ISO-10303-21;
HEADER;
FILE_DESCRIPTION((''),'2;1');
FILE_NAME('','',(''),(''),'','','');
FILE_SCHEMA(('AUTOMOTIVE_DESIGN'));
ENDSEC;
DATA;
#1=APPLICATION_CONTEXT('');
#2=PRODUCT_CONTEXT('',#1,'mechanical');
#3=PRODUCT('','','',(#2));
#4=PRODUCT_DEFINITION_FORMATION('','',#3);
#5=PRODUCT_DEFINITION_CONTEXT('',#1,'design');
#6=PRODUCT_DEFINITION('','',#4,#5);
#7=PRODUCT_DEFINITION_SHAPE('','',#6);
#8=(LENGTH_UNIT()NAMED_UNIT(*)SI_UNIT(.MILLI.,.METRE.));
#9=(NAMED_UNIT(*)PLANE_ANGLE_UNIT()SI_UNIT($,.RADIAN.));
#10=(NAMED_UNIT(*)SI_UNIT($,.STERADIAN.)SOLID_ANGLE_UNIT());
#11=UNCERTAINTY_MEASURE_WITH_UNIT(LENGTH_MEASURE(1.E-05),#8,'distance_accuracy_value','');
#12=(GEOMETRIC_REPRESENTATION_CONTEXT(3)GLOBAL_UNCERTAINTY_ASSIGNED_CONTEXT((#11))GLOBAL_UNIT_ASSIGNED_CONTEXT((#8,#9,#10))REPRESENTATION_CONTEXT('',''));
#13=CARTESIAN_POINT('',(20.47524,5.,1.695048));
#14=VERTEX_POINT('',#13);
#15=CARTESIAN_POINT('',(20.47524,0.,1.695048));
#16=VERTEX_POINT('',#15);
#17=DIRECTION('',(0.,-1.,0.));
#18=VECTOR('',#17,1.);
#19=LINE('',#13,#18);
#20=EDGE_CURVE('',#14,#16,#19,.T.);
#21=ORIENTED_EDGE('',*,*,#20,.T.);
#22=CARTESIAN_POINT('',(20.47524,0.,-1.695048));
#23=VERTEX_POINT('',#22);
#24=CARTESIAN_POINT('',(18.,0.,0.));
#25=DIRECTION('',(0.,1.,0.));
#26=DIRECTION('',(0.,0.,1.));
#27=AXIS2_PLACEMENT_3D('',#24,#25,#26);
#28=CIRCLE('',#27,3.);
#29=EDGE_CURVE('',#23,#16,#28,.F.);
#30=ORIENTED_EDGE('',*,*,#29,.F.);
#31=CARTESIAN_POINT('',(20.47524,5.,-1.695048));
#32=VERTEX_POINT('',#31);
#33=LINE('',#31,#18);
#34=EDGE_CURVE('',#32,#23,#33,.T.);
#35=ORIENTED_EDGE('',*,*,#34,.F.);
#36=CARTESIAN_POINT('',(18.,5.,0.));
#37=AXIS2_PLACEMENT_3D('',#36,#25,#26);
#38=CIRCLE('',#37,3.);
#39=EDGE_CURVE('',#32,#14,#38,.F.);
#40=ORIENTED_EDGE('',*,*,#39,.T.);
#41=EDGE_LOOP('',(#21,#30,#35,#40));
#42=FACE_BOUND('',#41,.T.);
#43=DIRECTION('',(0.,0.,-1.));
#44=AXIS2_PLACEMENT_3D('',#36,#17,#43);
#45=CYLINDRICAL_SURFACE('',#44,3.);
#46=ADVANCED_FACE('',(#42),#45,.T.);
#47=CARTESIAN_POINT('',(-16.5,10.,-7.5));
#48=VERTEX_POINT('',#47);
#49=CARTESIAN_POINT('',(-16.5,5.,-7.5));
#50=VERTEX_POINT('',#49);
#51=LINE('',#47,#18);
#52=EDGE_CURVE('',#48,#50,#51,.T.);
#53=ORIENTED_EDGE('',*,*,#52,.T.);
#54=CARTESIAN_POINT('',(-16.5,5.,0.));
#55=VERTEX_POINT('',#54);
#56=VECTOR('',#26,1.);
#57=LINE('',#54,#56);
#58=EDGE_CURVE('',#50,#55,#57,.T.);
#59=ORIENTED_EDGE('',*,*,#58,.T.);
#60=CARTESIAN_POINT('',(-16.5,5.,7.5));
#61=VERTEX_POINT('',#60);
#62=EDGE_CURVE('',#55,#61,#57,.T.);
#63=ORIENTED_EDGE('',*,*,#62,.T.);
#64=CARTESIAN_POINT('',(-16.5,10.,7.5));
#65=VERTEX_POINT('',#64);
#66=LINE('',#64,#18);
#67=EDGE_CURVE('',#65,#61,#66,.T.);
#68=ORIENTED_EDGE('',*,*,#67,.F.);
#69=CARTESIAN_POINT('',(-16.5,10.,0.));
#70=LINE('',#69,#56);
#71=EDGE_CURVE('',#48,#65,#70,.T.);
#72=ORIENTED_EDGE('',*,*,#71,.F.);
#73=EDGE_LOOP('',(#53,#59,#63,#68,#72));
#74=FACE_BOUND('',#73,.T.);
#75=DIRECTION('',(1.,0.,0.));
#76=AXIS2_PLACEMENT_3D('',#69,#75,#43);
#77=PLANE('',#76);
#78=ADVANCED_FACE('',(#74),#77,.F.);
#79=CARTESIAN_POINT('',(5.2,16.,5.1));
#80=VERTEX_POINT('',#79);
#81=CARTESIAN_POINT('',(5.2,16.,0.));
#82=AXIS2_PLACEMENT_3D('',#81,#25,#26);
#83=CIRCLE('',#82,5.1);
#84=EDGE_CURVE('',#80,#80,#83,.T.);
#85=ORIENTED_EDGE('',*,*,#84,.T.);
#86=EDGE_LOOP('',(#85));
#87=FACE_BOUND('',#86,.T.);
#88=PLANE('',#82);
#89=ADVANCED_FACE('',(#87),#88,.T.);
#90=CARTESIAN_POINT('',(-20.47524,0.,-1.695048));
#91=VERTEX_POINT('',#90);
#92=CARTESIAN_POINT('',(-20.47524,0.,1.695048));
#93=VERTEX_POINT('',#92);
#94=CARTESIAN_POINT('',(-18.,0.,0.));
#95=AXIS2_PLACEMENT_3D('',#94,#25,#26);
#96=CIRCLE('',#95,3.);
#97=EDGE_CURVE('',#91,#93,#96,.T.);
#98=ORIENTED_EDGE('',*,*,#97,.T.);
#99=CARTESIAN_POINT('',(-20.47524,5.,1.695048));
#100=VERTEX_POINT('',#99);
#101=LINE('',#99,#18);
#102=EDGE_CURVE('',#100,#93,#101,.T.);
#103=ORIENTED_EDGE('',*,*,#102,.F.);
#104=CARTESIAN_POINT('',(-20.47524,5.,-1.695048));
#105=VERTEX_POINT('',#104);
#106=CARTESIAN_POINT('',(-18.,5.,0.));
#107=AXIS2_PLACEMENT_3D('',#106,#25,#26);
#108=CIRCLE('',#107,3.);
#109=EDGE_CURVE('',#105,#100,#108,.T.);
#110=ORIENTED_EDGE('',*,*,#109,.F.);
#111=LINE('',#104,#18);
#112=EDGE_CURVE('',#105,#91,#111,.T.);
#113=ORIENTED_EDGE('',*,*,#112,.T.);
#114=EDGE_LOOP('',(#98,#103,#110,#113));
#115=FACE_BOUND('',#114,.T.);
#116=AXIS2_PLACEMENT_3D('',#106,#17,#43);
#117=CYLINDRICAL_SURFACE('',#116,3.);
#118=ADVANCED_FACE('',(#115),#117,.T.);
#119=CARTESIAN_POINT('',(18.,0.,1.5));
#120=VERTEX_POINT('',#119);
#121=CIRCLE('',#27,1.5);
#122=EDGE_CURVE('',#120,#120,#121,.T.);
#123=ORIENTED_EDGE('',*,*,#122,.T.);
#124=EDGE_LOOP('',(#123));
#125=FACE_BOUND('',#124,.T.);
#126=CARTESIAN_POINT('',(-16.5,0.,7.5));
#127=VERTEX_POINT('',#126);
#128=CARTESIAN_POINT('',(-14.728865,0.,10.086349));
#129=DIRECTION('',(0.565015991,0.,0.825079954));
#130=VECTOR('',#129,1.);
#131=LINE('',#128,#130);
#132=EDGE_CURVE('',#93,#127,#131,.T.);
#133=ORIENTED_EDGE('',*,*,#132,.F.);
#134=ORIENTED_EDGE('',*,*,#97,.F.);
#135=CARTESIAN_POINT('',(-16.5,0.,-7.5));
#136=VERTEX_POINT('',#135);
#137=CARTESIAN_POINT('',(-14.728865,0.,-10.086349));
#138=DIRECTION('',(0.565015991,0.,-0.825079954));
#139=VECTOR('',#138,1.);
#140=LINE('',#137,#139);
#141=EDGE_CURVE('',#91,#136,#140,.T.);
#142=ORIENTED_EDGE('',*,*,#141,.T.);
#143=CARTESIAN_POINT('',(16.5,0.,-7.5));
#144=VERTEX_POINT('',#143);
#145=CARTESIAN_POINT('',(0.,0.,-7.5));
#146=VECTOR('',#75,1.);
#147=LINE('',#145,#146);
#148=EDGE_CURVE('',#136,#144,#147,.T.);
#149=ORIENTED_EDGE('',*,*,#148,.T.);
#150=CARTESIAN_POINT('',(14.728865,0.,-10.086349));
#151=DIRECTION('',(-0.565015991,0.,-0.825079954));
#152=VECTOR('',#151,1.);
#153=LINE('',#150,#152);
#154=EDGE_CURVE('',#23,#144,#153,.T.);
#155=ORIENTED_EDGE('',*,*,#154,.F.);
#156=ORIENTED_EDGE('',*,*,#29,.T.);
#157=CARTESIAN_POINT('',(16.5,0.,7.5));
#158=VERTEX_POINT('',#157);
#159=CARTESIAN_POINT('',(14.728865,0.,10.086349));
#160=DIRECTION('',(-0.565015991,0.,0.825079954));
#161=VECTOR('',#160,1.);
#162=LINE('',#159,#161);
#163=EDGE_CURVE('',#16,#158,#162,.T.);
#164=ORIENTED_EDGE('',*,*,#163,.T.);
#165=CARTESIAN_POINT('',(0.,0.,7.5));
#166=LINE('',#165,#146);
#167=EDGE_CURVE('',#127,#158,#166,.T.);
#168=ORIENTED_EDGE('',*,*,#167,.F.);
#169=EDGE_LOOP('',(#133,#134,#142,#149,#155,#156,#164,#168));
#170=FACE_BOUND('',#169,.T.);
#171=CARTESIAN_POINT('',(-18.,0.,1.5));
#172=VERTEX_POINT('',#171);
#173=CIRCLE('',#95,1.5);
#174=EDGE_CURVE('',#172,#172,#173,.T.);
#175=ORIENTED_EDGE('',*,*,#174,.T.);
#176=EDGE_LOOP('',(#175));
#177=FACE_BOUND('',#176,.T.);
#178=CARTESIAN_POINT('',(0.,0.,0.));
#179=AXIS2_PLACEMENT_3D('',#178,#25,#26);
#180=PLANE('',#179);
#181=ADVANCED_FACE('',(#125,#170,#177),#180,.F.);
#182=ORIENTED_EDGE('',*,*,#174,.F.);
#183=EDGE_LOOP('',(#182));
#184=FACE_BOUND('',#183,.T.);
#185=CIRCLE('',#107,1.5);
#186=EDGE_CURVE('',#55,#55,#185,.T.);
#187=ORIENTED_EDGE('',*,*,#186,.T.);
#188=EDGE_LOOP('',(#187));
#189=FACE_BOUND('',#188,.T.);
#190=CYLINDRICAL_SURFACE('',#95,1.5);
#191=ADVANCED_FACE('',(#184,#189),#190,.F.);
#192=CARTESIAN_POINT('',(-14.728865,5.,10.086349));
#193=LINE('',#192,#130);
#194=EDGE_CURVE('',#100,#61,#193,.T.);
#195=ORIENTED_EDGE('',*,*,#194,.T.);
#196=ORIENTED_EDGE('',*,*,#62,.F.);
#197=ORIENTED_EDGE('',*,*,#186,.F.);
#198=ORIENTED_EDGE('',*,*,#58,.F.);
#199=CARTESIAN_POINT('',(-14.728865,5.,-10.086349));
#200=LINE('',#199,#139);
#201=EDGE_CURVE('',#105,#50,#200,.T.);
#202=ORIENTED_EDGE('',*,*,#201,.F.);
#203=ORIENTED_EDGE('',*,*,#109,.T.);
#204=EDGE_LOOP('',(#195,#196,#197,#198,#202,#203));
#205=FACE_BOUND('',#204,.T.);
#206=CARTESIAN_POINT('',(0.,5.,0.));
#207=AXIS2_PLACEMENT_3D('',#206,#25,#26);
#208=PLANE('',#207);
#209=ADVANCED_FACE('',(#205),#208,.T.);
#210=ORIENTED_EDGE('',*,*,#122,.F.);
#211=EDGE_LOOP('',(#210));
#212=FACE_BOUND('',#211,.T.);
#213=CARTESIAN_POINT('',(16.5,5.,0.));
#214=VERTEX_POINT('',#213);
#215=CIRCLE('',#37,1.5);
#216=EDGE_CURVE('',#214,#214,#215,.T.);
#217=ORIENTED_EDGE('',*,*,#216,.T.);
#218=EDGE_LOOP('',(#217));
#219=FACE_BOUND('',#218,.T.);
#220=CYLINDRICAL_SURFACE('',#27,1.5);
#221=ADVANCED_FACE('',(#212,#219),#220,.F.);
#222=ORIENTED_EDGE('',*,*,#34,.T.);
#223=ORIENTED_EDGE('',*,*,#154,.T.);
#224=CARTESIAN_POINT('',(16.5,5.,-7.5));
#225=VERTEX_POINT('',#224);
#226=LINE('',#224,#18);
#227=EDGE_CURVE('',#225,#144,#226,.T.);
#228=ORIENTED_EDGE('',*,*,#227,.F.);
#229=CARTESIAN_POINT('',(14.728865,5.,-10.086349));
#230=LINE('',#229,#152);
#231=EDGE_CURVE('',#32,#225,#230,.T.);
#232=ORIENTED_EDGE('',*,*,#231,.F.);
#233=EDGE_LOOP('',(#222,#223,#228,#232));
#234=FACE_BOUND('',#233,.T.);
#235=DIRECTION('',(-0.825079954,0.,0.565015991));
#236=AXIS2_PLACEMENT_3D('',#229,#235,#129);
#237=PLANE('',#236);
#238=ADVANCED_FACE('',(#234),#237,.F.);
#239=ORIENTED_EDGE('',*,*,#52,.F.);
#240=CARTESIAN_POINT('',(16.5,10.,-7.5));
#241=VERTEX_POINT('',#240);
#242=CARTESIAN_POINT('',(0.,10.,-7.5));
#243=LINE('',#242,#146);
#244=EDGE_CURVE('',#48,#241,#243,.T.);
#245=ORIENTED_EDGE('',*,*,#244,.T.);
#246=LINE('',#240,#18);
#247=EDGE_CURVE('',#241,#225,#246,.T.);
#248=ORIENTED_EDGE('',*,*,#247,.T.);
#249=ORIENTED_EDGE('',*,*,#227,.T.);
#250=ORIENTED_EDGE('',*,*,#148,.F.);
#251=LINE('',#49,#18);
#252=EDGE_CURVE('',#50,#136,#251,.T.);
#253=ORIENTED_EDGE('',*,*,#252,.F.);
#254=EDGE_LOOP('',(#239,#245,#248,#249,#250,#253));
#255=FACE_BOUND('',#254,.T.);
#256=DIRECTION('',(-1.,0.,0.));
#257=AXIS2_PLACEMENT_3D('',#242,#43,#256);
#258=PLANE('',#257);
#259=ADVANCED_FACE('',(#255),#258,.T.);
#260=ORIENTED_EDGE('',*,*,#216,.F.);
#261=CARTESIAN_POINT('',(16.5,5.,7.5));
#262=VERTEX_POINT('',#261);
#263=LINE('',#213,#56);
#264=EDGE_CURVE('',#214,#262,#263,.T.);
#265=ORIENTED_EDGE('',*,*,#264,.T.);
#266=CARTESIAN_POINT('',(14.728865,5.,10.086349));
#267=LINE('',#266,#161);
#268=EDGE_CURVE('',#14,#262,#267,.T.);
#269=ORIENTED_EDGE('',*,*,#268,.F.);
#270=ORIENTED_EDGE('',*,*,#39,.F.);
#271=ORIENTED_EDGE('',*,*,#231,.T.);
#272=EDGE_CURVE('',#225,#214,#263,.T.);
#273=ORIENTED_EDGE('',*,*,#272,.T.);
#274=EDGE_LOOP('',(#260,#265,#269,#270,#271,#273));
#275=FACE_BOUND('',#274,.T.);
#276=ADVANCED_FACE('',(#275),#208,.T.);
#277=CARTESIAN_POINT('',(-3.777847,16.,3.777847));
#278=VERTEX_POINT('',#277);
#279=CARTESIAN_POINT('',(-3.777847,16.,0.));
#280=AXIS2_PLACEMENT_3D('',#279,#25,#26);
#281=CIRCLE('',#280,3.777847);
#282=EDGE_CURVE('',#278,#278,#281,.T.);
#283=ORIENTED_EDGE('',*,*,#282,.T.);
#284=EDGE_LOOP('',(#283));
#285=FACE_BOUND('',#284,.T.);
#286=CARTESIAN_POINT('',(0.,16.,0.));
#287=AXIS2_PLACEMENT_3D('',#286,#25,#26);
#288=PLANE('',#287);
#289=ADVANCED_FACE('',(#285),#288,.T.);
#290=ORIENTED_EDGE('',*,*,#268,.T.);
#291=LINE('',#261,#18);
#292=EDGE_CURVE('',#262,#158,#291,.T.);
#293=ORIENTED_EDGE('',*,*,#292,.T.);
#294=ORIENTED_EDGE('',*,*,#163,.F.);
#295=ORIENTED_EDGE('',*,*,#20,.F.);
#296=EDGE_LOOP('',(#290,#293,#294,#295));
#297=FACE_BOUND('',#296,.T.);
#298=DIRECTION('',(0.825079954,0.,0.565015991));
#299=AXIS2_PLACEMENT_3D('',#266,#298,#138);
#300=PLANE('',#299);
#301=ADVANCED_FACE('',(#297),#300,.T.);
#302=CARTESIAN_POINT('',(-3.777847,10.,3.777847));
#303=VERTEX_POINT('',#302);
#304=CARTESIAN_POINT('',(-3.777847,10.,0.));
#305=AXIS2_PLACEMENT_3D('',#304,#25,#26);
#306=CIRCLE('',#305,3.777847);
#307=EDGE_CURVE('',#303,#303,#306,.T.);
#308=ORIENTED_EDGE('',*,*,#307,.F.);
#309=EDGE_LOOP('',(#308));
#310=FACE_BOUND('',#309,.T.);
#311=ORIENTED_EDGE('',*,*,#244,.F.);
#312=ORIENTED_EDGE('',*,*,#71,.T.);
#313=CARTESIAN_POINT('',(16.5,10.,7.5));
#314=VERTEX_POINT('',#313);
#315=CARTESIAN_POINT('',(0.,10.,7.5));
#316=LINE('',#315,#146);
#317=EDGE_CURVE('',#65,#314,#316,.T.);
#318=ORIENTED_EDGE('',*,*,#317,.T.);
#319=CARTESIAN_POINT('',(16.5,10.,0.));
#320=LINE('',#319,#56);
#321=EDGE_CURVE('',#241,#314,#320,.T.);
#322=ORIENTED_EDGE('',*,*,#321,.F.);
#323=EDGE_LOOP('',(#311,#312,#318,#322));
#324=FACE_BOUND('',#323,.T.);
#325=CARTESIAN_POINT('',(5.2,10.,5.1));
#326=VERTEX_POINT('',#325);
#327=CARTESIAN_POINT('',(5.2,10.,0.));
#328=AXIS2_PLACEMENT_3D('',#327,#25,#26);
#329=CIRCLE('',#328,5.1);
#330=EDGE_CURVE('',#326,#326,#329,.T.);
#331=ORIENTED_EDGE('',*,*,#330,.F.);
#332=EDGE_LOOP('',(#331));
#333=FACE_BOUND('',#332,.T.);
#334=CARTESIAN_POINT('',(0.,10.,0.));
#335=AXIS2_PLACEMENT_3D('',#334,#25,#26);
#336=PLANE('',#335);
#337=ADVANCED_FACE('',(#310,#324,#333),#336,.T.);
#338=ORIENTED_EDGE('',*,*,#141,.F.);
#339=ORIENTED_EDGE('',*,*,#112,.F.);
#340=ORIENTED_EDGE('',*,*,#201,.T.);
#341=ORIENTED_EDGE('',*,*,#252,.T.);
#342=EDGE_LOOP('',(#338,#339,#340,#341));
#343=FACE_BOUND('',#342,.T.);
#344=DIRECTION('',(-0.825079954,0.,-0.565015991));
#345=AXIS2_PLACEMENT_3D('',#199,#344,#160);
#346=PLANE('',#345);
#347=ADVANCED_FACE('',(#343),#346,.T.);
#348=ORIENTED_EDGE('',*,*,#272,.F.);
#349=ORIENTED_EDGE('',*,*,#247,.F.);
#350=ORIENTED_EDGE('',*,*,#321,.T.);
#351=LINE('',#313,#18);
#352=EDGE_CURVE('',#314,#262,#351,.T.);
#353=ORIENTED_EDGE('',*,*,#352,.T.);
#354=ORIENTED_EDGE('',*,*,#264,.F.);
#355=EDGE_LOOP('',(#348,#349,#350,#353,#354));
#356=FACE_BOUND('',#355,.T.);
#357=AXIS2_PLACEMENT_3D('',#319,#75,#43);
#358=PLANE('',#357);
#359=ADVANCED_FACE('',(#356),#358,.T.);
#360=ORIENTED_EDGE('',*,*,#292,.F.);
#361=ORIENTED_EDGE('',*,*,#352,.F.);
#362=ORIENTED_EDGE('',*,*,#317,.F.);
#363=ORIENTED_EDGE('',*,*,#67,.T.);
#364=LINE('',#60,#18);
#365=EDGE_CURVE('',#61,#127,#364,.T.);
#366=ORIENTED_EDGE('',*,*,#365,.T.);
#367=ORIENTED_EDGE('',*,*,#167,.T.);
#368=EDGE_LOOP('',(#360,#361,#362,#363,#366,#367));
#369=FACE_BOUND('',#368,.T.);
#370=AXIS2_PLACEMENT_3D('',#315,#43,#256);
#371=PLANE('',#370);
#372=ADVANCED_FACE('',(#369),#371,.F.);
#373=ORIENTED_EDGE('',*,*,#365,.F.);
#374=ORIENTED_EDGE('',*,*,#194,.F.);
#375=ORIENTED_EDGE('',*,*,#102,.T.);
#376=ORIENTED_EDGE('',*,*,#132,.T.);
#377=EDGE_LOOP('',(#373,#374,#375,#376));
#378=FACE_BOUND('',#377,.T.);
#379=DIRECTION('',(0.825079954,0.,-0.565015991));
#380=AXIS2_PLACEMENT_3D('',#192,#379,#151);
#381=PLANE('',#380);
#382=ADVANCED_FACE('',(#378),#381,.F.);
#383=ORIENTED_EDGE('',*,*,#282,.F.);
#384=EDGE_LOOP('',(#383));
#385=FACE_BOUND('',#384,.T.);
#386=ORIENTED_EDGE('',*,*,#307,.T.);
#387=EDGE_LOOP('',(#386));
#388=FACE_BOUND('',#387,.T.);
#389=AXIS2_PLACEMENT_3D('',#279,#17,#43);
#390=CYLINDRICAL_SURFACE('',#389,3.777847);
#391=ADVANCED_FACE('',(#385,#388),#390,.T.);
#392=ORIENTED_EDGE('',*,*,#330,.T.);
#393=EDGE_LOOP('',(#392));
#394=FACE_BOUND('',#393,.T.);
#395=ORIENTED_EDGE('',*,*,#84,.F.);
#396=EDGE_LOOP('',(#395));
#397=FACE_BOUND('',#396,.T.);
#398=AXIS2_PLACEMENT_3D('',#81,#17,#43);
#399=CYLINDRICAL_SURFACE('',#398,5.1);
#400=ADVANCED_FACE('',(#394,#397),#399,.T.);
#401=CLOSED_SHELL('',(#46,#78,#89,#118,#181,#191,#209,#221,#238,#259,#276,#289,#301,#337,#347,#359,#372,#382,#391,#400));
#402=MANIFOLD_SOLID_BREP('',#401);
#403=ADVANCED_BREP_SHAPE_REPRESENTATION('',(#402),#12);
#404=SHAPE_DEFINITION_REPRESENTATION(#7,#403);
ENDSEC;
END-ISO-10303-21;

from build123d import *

# Parameters (mm, degrees)
BOSS_EXTRUDE11_DEPTH   = 5
BOSS_EXTRUDE11_2_DEPTH = 5
SKETCH1_5_W            = 33
SKETCH1_5_H            = 15
BOSS_EXTRUDE13_DEPTH   = 10
SKETCH2_R              = 1.5
CUT_EXTRUDE1_DEPTH     = 5
SKETCH3_R              = 3.777846651
BOSS_EXTRUDE18_DEPTH   = 6
SKETCH3_5_R            = 5.1
BOSS_EXTRUDE22_DEPTH   = 6


with BuildPart() as part:
    # Sketch1 → Boss-Extrude11 (new body)
    with BuildSketch(Plane(origin=(0, 0, 0), x_dir=(1, 0, 0), z_dir=(0, 1, 0))):
        with BuildLine():
            Line((-16.5, -7.5), (-16.5, 7.5))
            Line((-16.5, 7.5), (-20.475239861, 1.695047972))
            ThreePointArc((-20.475239861, 1.695047972), (-21, 0), (-20.475239861, -1.695047972))
            Line((-20.475239861, -1.695047972), (-16.5, -7.5))
        make_face()
    extrude(amount=BOSS_EXTRUDE11_DEPTH)



with BuildPart() as body_2:
    # Sketch1 → Boss-Extrude11 2 (new body)
    with BuildSketch(Plane(origin=(0, 0, 0), x_dir=(1, 0, 0), z_dir=(0, 1, 0))):
        with BuildLine():
            Line((20.475239861, 1.695047972), (16.5, 7.5))
            Line((16.5, 7.5), (16.5, -7.5))
            Line((16.5, -7.5), (20.475239861, -1.695047972))
            ThreePointArc((20.475239861, -1.695047972), (21, 0), (20.475239861, 1.695047972))
        make_face()
    extrude(amount=BOSS_EXTRUDE11_2_DEPTH)


with BuildPart() as part_1:
    add(part.part)

    add(body_2.part)  # Boss-Extrude13 merges body 2
    # Sketch1<5> → Boss-Extrude13 (add)
    with BuildSketch(Plane(origin=(0, 0, 0), x_dir=(1, 0, 0), z_dir=(0, 1, 0))):
        Rectangle(SKETCH1_5_W, SKETCH1_5_H)
    extrude(amount=BOSS_EXTRUDE13_DEPTH)

    # Sketch2 → Cut-Extrude1 (cut)
    with BuildSketch(Plane(origin=(0, 5, 0), x_dir=(1, 0, 0), z_dir=(0, 1, 0))):
        with Locations((-18, 0)):
            Circle(SKETCH2_R)
        with Locations((18, 0)):
            Circle(SKETCH2_R)
    extrude(amount=-CUT_EXTRUDE1_DEPTH, mode=Mode.SUBTRACT)

    # Sketch3 → Boss-Extrude18 (add)
    with BuildSketch(Plane(origin=(0, 10, 0), x_dir=(1, 0, 0), z_dir=(0, 1, 0))):
        with Locations((-3.777846651, 0)):
            Circle(SKETCH3_R)
    extrude(amount=BOSS_EXTRUDE18_DEPTH)

    # Sketch3<5> → Boss-Extrude22 (add)
    with BuildSketch(Plane(origin=(0, 10, 0), x_dir=(1, 0, 0), z_dir=(0, 1, 0))):
        with Locations((5.2, 0)):
            Circle(SKETCH3_5_R)
    extrude(amount=BOSS_EXTRUDE22_DEPTH)


solid = part_1.part
